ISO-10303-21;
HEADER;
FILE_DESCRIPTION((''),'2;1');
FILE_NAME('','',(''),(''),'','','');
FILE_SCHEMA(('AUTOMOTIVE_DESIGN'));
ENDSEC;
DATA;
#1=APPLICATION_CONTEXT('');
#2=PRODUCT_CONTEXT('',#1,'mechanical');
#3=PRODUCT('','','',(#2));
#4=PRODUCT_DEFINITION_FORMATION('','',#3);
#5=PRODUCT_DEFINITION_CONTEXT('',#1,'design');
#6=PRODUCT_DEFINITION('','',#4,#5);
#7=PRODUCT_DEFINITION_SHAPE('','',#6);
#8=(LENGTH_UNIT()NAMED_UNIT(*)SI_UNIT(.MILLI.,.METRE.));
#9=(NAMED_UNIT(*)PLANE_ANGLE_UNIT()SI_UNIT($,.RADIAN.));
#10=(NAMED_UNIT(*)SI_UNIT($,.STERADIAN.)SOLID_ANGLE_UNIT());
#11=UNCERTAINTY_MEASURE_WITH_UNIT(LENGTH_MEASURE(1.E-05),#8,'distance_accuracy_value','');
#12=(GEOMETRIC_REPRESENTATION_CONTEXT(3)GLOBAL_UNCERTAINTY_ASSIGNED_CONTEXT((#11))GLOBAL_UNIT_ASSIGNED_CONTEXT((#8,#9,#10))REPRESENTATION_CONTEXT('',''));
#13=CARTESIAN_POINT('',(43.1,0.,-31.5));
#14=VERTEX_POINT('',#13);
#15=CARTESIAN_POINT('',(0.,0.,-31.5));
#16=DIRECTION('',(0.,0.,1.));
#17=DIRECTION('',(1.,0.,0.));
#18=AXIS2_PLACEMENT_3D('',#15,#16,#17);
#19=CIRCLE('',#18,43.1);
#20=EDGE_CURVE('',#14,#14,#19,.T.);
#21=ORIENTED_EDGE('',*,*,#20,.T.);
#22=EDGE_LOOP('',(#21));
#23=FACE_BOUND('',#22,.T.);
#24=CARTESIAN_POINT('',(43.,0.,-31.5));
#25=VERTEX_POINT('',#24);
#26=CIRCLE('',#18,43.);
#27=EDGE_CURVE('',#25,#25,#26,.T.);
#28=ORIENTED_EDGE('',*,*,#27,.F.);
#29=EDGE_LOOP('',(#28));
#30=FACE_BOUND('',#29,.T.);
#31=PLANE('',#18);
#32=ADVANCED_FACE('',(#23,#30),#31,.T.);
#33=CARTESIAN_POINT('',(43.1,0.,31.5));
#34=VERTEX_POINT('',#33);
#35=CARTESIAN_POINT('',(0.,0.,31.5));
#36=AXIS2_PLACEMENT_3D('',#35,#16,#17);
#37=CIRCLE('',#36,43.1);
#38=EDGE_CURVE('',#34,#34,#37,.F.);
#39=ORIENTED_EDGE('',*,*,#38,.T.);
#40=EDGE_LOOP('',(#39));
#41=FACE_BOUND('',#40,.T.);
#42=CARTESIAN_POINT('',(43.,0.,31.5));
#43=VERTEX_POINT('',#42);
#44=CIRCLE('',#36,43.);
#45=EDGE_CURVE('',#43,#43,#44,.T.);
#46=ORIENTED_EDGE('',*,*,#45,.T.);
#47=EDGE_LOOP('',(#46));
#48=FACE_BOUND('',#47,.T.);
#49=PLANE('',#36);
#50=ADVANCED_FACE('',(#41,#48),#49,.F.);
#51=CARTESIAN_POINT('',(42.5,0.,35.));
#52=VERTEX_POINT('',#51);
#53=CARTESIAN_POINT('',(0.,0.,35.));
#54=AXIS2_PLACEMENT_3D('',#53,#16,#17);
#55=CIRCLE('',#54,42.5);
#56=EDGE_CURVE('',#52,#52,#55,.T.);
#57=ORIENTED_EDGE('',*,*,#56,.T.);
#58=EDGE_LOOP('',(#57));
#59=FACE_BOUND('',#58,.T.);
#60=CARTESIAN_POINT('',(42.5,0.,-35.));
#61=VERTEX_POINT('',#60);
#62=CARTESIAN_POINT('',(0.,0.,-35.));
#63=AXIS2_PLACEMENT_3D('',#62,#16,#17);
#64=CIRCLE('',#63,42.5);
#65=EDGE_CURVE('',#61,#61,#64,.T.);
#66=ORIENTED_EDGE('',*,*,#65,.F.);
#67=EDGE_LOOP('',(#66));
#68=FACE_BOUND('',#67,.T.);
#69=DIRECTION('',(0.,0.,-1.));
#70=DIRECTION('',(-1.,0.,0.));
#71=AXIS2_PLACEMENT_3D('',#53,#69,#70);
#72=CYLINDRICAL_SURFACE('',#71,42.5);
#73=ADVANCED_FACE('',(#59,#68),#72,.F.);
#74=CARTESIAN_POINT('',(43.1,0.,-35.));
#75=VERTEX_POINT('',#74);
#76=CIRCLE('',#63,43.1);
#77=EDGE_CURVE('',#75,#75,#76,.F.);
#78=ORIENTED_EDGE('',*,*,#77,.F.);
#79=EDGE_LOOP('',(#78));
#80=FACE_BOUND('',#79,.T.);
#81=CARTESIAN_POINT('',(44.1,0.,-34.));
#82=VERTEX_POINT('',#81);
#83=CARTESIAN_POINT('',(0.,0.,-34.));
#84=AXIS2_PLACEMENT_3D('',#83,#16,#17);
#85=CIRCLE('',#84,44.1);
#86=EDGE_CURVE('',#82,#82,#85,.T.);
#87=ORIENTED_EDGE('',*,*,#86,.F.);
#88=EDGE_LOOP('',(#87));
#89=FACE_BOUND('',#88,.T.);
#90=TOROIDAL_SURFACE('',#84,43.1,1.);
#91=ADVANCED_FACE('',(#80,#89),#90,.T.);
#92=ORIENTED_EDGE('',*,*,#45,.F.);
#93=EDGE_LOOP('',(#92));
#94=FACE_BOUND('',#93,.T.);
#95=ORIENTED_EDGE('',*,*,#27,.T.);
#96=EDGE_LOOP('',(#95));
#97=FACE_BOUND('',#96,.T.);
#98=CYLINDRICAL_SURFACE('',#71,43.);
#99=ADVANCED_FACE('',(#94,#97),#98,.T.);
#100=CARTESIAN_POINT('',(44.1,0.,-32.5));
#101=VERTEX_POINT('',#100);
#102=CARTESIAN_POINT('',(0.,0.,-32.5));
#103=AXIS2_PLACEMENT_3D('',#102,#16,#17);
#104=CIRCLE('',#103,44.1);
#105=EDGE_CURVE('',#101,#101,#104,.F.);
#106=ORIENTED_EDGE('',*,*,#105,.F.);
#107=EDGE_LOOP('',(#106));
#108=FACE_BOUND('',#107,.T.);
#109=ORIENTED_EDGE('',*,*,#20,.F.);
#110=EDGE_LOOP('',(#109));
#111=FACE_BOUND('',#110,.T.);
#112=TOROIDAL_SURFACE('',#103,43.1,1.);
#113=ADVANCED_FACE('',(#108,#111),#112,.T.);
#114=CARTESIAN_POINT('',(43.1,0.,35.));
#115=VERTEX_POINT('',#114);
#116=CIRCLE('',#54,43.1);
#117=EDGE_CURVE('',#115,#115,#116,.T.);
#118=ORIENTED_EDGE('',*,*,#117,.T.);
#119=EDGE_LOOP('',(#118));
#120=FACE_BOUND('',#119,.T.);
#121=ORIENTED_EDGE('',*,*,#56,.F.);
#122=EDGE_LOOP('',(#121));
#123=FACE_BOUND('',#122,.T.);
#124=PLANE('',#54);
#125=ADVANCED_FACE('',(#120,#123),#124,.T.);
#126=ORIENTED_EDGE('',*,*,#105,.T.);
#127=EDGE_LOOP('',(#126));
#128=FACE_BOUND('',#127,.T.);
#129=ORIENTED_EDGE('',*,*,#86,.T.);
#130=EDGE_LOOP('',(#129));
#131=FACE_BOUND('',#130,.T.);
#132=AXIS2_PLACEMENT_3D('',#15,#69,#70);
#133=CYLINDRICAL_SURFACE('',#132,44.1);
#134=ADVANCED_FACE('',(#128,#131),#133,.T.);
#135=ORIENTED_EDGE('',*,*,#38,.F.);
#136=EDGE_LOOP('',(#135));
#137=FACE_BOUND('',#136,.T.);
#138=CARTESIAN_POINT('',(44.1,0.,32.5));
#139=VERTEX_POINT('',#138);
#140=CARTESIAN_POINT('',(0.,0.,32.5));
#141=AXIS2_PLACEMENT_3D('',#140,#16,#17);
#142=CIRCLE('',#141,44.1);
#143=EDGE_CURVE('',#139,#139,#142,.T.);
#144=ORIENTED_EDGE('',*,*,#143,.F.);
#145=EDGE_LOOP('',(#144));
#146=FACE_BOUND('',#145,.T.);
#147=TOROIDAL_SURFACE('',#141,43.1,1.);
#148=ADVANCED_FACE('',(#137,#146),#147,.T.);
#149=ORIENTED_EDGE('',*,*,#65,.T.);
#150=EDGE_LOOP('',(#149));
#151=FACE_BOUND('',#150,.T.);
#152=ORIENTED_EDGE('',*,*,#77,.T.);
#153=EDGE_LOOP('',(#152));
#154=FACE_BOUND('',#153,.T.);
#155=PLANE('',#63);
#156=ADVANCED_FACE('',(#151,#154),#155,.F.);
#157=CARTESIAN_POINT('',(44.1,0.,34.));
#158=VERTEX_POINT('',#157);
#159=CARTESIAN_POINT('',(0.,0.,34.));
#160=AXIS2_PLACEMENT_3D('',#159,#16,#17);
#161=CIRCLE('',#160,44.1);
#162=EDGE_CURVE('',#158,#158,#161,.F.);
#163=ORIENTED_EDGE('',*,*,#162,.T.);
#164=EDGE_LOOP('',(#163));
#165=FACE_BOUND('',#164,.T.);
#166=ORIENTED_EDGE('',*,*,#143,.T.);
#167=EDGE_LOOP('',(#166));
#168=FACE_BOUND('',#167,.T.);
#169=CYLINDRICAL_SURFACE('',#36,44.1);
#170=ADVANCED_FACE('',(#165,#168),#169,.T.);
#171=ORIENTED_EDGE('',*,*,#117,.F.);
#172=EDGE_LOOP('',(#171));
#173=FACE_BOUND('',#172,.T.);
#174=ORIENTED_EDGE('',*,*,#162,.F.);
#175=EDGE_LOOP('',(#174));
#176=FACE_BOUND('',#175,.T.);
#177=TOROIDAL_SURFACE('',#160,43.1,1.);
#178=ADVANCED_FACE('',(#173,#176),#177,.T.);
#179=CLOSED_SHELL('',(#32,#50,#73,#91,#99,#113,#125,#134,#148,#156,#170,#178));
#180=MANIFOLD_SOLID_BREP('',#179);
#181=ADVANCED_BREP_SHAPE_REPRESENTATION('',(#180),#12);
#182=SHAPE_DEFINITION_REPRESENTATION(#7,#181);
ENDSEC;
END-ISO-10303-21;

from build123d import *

# Parameters (mm, degrees)
SKETCH1_R            = 43
SKETCH1_R_2          = 42.5
EXTRUDE_THIN1_DEPTH  = 35
EXTRUDE_THIN2_START  = -3.5
SKETCH2_R            = 44.1
SKETCH2_R_2          = 42.5
EXTRUDE_THIN2_DEPTH  = 3.5
FILLET1_R            = 1
FILLET1_OF_MIRROR1_R = 1


with BuildPart() as part:
    # Sketch1 → Extrude-Thin1 (new, symmetric)
    with BuildSketch(Plane.XY):
        Circle(SKETCH1_R)
        Circle(SKETCH1_R_2, mode=Mode.SUBTRACT)
    extrude(amount=EXTRUDE_THIN1_DEPTH, both=True)

    # Sketch2 → Extrude-Thin2 (add)
    with BuildSketch(Plane.XY.offset(35).offset(EXTRUDE_THIN2_START)):
        Circle(SKETCH2_R)
        Circle(SKETCH2_R_2, mode=Mode.SUBTRACT)
    extrude_thin2 = extrude(amount=EXTRUDE_THIN2_DEPTH)

    # Fillet1
    fillet1_edges = [part.edges().sort_by_distance(p)[0] for p in [
        (-44.1, 0, 35),
        (-44.1, 0, 31.5),
    ]]
    fillet(fillet1_edges, radius=FILLET1_R)

    # Mirror1: Extrude-Thin2 across plane
    add(extrude_thin2.mirror(Plane.XY))

    # Fillet1 of Mirror1
    fillet1_of_mirror1_edges = [part.edges().sort_by_distance(p)[0] for p in [
        (-44.1, 0, -35),
        (-44.1, 0, -31.5),
    ]]
    fillet(fillet1_of_mirror1_edges, radius=FILLET1_OF_MIRROR1_R)


solid = part.part
